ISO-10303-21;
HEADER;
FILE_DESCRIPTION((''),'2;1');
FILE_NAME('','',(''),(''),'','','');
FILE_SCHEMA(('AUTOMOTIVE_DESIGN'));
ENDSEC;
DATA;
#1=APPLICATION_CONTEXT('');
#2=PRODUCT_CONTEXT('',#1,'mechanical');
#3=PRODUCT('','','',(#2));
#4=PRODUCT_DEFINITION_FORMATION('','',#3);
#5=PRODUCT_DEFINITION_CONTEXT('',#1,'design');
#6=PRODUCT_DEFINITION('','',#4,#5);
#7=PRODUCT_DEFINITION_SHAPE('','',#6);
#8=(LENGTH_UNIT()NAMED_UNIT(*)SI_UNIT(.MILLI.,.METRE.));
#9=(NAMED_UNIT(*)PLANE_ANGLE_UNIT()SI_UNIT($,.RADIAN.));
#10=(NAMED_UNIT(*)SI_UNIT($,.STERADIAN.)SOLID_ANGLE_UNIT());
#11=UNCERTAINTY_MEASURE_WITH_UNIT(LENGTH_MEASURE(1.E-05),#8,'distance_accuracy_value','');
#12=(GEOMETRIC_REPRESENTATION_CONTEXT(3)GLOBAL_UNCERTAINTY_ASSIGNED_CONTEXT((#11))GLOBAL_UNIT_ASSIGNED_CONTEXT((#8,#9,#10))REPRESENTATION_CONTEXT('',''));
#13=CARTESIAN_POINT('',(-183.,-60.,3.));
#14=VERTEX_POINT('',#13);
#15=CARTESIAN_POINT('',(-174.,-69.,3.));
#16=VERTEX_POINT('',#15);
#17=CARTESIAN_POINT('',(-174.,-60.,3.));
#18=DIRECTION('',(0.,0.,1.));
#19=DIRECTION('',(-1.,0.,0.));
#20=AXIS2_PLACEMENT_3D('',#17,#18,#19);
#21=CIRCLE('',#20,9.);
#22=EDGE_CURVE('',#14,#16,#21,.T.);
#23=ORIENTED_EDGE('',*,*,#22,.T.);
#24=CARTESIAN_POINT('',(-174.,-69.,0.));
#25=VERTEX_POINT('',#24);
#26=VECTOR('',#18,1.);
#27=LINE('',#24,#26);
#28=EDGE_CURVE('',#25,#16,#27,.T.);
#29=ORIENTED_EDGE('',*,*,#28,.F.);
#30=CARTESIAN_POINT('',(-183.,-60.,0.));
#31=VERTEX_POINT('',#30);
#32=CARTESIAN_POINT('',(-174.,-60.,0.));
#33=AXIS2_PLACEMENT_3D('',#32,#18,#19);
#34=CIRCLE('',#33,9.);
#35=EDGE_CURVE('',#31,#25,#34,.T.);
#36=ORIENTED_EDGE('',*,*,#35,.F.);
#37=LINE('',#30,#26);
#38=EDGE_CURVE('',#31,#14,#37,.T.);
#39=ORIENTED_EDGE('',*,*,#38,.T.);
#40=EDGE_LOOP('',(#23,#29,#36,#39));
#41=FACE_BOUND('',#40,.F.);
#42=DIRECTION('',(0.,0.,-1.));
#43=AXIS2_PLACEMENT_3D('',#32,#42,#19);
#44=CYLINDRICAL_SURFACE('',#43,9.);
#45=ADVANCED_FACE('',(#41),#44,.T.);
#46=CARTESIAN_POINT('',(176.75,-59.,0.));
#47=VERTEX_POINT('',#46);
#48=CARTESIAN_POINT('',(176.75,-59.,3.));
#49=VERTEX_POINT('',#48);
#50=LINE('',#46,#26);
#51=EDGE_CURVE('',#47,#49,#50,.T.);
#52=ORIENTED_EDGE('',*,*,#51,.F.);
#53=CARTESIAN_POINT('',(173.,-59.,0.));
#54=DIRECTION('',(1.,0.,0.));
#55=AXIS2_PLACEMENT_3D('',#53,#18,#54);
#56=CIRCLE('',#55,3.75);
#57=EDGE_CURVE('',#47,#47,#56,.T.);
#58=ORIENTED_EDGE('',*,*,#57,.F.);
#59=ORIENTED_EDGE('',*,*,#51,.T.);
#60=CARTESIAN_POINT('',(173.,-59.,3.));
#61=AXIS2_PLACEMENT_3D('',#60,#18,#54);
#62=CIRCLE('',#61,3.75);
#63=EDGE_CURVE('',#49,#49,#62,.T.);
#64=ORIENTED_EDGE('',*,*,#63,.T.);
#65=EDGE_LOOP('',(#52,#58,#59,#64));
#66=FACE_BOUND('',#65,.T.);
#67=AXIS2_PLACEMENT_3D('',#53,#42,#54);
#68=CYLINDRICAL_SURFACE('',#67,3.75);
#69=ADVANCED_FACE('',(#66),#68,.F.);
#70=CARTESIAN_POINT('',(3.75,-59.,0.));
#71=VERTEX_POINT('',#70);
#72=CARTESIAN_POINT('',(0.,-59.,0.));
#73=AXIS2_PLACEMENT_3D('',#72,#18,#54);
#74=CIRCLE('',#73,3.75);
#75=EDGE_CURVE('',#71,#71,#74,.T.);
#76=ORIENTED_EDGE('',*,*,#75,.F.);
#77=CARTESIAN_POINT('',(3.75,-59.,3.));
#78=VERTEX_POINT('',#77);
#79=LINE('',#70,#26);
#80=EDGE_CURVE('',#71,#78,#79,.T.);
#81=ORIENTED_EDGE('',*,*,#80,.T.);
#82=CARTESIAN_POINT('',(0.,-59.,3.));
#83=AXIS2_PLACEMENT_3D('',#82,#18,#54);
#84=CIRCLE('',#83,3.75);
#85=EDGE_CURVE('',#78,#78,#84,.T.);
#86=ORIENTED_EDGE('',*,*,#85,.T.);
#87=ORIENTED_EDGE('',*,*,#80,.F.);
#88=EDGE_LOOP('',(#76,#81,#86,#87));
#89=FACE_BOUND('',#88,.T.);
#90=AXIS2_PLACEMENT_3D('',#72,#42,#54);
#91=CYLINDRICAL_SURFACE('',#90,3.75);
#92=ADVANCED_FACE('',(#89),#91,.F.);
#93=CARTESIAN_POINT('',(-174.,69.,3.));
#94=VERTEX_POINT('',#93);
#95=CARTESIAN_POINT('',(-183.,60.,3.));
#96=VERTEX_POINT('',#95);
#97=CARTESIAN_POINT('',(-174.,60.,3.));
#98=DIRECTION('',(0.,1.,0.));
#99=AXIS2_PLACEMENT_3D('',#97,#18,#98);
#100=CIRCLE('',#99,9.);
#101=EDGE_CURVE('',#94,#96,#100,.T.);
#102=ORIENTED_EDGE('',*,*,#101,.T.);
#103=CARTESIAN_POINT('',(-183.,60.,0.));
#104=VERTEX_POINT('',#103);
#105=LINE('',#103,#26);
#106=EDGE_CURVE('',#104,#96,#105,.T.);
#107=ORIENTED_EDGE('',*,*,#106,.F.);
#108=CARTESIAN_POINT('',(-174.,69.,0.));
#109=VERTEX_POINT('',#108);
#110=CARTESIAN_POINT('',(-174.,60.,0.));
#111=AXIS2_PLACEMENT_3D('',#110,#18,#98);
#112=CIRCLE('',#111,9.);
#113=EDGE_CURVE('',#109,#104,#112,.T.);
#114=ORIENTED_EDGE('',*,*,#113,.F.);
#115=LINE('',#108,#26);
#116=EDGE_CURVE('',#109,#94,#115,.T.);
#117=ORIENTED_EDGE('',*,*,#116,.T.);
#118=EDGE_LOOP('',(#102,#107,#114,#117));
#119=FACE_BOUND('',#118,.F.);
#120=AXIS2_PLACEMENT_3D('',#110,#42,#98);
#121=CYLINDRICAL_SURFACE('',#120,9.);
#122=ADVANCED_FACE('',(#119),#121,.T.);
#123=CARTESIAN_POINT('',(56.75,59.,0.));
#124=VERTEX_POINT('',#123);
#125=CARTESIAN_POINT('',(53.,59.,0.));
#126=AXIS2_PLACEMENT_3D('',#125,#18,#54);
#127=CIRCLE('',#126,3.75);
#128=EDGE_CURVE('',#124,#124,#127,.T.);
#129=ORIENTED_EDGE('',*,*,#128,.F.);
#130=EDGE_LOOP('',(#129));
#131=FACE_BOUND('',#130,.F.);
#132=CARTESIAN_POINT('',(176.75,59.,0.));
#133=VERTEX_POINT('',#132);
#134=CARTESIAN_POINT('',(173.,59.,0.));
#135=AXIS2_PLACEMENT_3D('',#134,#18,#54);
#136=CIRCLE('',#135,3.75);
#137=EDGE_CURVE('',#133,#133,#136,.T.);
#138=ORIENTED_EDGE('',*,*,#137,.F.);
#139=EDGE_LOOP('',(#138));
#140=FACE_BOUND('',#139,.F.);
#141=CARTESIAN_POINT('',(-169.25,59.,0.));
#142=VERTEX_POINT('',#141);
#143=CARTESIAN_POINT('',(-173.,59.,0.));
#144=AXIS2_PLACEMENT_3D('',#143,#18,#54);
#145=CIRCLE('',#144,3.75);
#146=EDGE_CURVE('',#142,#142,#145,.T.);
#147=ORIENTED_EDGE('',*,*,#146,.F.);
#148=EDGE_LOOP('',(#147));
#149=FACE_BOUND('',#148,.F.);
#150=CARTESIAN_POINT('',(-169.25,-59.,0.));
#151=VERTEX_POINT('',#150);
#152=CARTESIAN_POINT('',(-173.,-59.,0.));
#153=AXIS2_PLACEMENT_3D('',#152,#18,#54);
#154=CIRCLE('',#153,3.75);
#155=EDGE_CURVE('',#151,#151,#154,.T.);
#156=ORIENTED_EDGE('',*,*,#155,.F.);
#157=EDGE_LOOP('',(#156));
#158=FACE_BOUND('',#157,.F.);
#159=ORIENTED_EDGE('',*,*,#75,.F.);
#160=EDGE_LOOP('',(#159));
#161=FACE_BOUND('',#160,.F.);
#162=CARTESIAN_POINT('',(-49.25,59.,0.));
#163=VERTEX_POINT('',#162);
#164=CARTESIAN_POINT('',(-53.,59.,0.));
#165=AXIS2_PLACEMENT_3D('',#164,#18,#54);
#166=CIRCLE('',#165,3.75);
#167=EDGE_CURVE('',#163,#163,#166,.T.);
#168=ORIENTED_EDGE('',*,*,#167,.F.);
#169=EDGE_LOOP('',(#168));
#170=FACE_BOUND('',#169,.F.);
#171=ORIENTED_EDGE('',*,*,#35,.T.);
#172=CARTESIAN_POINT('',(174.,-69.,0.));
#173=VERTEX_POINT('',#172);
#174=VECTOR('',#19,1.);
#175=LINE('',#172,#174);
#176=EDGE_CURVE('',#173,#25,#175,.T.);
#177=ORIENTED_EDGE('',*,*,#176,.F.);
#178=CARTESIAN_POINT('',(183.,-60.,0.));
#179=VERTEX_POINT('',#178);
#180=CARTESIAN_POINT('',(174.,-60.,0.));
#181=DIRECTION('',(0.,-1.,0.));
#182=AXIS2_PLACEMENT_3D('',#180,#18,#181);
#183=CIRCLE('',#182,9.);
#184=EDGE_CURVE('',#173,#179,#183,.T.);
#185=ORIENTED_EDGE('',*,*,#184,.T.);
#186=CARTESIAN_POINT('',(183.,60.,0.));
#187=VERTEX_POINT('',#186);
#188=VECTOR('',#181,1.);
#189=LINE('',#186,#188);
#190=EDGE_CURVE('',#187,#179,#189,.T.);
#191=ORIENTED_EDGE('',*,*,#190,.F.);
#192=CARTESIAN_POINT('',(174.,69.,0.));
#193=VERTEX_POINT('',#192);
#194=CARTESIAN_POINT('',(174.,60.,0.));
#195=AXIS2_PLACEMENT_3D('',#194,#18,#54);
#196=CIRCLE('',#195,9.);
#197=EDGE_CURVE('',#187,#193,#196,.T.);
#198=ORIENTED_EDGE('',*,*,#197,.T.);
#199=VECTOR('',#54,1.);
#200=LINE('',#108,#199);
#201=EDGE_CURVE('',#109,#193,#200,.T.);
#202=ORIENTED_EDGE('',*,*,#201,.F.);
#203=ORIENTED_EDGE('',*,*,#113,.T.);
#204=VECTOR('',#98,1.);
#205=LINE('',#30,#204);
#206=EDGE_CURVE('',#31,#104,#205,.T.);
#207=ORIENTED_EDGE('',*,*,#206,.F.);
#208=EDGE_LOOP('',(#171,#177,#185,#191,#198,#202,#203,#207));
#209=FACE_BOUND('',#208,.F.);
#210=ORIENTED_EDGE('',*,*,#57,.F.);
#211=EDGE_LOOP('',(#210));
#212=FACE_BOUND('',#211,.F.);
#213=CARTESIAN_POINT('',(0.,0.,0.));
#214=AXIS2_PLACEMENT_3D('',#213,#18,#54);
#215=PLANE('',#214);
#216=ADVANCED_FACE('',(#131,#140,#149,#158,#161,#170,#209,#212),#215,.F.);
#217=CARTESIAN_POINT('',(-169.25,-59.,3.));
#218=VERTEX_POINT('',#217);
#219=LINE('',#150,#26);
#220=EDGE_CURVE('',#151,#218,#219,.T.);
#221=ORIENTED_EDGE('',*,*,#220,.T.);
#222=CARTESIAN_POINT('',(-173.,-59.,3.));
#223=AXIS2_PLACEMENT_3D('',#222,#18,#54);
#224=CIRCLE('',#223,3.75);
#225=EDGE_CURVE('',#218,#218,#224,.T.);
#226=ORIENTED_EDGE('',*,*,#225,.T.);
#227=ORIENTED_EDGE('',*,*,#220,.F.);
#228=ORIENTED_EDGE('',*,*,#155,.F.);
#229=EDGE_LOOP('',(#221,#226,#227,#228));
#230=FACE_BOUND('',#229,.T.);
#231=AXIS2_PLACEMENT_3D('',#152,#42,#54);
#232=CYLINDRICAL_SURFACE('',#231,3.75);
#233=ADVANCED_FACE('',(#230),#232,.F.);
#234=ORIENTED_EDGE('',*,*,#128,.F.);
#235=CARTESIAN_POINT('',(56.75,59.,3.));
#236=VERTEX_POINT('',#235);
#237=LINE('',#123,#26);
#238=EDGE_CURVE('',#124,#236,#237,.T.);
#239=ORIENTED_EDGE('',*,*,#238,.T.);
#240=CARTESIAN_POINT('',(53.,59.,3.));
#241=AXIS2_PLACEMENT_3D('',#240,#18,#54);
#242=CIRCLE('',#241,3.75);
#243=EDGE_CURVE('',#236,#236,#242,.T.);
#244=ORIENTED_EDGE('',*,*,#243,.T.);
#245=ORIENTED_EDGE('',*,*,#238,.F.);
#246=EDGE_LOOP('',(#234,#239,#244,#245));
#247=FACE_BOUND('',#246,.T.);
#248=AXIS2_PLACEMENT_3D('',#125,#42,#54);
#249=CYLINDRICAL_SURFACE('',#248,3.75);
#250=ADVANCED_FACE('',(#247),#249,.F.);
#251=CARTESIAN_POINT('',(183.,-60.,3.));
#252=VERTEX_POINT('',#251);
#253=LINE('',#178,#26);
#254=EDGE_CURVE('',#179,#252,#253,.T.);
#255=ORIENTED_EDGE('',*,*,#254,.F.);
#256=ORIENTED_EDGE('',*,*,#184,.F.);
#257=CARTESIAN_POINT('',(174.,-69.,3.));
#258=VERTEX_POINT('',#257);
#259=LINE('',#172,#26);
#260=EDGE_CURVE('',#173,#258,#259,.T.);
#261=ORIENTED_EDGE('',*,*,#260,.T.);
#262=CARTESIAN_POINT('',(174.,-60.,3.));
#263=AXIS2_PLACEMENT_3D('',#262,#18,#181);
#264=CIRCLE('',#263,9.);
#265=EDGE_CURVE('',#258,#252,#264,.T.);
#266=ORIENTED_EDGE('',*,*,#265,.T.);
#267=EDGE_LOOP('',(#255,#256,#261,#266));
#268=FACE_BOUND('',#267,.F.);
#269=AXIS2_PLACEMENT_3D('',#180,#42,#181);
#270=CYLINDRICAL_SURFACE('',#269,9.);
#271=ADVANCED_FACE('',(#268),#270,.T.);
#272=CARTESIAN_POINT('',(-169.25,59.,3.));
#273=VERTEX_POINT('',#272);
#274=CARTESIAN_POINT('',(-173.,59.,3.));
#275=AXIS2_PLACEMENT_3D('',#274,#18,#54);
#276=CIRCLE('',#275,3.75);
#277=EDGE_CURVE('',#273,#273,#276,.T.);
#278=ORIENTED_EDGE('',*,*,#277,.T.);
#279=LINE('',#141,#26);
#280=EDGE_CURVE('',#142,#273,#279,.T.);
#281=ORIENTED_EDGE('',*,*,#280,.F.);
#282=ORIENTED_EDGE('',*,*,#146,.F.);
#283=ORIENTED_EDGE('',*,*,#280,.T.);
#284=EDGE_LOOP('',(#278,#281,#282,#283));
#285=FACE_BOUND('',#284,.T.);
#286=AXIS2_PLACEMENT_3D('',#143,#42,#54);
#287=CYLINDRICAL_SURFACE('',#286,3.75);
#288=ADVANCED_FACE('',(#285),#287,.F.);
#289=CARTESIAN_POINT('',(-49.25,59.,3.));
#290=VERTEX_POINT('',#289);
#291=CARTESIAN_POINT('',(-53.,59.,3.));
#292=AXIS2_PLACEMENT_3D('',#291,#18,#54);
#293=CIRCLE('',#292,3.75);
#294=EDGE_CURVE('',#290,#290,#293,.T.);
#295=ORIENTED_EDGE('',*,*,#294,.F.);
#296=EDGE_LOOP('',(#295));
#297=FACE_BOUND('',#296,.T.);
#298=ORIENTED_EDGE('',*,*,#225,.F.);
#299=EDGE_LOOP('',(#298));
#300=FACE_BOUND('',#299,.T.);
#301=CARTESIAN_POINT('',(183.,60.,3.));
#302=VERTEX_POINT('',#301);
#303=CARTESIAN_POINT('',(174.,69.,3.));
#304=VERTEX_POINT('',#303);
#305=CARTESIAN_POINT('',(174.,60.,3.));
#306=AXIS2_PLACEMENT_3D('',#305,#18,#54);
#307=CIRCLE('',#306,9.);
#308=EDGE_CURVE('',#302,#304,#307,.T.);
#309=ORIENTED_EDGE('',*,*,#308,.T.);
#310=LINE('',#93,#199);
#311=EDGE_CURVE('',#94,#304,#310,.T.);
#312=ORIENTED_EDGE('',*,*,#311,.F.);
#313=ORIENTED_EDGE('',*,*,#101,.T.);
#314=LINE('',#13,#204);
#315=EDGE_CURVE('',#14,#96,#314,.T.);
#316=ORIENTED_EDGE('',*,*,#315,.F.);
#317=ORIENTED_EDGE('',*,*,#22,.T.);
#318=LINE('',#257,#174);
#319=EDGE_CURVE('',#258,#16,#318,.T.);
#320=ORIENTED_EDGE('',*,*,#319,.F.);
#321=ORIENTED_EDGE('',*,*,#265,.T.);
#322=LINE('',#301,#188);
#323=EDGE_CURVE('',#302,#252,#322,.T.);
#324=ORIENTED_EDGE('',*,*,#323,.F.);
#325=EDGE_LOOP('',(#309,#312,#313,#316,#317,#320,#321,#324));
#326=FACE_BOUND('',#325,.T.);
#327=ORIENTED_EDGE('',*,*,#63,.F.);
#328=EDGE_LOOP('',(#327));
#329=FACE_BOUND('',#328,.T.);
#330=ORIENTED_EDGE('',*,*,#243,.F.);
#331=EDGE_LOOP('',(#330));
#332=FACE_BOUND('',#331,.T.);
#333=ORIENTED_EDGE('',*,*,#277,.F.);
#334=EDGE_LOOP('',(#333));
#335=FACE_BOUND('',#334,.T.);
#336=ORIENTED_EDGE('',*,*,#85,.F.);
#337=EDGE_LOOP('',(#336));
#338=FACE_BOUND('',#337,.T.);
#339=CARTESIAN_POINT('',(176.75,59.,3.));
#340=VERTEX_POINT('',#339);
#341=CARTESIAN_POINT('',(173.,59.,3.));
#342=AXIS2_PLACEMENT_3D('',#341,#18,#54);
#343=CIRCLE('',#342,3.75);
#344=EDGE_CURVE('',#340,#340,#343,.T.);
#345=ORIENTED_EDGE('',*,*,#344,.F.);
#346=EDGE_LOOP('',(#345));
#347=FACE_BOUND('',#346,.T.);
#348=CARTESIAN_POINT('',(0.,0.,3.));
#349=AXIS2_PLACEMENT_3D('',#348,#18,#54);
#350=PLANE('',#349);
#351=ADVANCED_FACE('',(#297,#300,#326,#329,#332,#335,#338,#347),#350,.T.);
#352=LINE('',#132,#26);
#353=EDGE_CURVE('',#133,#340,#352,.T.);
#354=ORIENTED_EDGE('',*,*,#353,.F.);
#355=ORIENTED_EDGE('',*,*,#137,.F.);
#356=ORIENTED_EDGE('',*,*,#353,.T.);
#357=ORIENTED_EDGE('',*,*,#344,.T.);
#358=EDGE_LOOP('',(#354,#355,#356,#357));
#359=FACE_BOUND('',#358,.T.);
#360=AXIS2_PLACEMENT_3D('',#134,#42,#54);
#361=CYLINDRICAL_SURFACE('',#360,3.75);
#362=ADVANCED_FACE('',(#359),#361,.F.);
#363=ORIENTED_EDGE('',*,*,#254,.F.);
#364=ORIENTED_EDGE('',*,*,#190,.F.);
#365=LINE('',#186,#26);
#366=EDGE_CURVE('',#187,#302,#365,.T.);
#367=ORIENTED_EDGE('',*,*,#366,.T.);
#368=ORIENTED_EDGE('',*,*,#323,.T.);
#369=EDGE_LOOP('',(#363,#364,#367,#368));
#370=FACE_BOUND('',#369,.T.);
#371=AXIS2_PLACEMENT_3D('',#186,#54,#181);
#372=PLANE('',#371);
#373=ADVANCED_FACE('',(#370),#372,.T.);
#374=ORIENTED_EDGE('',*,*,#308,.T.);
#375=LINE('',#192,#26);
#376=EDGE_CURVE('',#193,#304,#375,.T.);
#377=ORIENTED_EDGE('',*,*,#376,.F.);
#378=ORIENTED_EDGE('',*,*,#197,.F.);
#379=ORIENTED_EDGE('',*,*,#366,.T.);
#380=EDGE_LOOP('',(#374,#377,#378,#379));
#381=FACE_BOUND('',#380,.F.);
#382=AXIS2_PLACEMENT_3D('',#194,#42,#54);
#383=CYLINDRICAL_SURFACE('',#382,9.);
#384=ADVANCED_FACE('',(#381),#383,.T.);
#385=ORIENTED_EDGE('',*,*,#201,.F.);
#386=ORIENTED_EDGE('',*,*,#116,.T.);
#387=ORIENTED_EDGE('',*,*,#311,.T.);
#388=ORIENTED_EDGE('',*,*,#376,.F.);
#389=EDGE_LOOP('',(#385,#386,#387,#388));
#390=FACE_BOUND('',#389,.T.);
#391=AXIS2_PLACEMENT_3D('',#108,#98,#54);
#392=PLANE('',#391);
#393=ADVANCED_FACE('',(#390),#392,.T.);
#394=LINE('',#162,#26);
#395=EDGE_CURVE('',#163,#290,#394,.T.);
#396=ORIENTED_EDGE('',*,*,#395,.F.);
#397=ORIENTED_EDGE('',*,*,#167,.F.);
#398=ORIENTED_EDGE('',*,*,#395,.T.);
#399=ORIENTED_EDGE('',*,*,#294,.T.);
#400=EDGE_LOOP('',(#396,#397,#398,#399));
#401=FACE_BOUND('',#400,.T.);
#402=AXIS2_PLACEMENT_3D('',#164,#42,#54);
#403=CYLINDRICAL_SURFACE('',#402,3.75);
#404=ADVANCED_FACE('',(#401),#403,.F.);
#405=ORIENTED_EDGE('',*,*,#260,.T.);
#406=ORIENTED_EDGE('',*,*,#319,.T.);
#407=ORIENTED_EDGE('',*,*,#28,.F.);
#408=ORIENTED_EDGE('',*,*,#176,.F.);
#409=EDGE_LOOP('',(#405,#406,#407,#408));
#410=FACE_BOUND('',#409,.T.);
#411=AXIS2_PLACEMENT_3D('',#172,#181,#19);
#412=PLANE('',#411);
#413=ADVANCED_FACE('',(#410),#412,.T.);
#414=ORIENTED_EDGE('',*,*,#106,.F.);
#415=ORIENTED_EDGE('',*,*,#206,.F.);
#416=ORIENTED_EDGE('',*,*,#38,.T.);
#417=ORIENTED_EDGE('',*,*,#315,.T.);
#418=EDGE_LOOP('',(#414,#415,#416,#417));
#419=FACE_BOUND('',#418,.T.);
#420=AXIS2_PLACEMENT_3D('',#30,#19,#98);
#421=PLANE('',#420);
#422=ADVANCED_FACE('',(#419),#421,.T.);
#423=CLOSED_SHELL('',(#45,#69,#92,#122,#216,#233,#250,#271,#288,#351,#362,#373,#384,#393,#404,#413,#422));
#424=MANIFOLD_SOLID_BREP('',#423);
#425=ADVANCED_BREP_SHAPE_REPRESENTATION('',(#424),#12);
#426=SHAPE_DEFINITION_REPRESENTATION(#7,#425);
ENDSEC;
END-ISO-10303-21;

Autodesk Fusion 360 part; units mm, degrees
sketch "Sketch1" plane through (0, 0, 0) normal (0, 0, 1) x (1, 0, 0)
  circle A0 centre (53, 59) radius 3.75
  arc A1 (174, -69) -> (183, -60) centre (174, -60) ccw
  line L0 (183, 60) -> (183, -60)
  arc A2 (183, 60) -> (174, 69) centre (174, 60) ccw
  arc A3 (-183, -60) -> (-174, -69) centre (-174, -60) ccw
  circle A4 centre (173, -59) radius 3.75
  line L1 (-183, -60) -> (-183, 60)
  arc A5 (-174, 69) -> (-183, 60) centre (-174, 60) ccw
  line L2 (174, -69) -> (-174, -69)
  circle A6 centre (0, -59) radius 3.75
  circle A7 centre (-173, 59) radius 3.75
  circle A8 centre (173, 59) radius 3.75
  circle A9 centre (-53, 59) radius 3.75
  circle A10 centre (-173, -59) radius 3.75
  line L3 (-174, 69) -> (174, 69)
  dimension "d1" = 9
  dimension "d25" = 7.5
  dimension "d26" = 7.5
  dimension "d27" = 7.5
  dimension "d28" = 7.5
  dimension "d29" = 7.5
  dimension "d35" = 7.5
  dimension "d9" = 7.5
extrude "Extrude1" add sketch "Sketch1" along normal blind 3
